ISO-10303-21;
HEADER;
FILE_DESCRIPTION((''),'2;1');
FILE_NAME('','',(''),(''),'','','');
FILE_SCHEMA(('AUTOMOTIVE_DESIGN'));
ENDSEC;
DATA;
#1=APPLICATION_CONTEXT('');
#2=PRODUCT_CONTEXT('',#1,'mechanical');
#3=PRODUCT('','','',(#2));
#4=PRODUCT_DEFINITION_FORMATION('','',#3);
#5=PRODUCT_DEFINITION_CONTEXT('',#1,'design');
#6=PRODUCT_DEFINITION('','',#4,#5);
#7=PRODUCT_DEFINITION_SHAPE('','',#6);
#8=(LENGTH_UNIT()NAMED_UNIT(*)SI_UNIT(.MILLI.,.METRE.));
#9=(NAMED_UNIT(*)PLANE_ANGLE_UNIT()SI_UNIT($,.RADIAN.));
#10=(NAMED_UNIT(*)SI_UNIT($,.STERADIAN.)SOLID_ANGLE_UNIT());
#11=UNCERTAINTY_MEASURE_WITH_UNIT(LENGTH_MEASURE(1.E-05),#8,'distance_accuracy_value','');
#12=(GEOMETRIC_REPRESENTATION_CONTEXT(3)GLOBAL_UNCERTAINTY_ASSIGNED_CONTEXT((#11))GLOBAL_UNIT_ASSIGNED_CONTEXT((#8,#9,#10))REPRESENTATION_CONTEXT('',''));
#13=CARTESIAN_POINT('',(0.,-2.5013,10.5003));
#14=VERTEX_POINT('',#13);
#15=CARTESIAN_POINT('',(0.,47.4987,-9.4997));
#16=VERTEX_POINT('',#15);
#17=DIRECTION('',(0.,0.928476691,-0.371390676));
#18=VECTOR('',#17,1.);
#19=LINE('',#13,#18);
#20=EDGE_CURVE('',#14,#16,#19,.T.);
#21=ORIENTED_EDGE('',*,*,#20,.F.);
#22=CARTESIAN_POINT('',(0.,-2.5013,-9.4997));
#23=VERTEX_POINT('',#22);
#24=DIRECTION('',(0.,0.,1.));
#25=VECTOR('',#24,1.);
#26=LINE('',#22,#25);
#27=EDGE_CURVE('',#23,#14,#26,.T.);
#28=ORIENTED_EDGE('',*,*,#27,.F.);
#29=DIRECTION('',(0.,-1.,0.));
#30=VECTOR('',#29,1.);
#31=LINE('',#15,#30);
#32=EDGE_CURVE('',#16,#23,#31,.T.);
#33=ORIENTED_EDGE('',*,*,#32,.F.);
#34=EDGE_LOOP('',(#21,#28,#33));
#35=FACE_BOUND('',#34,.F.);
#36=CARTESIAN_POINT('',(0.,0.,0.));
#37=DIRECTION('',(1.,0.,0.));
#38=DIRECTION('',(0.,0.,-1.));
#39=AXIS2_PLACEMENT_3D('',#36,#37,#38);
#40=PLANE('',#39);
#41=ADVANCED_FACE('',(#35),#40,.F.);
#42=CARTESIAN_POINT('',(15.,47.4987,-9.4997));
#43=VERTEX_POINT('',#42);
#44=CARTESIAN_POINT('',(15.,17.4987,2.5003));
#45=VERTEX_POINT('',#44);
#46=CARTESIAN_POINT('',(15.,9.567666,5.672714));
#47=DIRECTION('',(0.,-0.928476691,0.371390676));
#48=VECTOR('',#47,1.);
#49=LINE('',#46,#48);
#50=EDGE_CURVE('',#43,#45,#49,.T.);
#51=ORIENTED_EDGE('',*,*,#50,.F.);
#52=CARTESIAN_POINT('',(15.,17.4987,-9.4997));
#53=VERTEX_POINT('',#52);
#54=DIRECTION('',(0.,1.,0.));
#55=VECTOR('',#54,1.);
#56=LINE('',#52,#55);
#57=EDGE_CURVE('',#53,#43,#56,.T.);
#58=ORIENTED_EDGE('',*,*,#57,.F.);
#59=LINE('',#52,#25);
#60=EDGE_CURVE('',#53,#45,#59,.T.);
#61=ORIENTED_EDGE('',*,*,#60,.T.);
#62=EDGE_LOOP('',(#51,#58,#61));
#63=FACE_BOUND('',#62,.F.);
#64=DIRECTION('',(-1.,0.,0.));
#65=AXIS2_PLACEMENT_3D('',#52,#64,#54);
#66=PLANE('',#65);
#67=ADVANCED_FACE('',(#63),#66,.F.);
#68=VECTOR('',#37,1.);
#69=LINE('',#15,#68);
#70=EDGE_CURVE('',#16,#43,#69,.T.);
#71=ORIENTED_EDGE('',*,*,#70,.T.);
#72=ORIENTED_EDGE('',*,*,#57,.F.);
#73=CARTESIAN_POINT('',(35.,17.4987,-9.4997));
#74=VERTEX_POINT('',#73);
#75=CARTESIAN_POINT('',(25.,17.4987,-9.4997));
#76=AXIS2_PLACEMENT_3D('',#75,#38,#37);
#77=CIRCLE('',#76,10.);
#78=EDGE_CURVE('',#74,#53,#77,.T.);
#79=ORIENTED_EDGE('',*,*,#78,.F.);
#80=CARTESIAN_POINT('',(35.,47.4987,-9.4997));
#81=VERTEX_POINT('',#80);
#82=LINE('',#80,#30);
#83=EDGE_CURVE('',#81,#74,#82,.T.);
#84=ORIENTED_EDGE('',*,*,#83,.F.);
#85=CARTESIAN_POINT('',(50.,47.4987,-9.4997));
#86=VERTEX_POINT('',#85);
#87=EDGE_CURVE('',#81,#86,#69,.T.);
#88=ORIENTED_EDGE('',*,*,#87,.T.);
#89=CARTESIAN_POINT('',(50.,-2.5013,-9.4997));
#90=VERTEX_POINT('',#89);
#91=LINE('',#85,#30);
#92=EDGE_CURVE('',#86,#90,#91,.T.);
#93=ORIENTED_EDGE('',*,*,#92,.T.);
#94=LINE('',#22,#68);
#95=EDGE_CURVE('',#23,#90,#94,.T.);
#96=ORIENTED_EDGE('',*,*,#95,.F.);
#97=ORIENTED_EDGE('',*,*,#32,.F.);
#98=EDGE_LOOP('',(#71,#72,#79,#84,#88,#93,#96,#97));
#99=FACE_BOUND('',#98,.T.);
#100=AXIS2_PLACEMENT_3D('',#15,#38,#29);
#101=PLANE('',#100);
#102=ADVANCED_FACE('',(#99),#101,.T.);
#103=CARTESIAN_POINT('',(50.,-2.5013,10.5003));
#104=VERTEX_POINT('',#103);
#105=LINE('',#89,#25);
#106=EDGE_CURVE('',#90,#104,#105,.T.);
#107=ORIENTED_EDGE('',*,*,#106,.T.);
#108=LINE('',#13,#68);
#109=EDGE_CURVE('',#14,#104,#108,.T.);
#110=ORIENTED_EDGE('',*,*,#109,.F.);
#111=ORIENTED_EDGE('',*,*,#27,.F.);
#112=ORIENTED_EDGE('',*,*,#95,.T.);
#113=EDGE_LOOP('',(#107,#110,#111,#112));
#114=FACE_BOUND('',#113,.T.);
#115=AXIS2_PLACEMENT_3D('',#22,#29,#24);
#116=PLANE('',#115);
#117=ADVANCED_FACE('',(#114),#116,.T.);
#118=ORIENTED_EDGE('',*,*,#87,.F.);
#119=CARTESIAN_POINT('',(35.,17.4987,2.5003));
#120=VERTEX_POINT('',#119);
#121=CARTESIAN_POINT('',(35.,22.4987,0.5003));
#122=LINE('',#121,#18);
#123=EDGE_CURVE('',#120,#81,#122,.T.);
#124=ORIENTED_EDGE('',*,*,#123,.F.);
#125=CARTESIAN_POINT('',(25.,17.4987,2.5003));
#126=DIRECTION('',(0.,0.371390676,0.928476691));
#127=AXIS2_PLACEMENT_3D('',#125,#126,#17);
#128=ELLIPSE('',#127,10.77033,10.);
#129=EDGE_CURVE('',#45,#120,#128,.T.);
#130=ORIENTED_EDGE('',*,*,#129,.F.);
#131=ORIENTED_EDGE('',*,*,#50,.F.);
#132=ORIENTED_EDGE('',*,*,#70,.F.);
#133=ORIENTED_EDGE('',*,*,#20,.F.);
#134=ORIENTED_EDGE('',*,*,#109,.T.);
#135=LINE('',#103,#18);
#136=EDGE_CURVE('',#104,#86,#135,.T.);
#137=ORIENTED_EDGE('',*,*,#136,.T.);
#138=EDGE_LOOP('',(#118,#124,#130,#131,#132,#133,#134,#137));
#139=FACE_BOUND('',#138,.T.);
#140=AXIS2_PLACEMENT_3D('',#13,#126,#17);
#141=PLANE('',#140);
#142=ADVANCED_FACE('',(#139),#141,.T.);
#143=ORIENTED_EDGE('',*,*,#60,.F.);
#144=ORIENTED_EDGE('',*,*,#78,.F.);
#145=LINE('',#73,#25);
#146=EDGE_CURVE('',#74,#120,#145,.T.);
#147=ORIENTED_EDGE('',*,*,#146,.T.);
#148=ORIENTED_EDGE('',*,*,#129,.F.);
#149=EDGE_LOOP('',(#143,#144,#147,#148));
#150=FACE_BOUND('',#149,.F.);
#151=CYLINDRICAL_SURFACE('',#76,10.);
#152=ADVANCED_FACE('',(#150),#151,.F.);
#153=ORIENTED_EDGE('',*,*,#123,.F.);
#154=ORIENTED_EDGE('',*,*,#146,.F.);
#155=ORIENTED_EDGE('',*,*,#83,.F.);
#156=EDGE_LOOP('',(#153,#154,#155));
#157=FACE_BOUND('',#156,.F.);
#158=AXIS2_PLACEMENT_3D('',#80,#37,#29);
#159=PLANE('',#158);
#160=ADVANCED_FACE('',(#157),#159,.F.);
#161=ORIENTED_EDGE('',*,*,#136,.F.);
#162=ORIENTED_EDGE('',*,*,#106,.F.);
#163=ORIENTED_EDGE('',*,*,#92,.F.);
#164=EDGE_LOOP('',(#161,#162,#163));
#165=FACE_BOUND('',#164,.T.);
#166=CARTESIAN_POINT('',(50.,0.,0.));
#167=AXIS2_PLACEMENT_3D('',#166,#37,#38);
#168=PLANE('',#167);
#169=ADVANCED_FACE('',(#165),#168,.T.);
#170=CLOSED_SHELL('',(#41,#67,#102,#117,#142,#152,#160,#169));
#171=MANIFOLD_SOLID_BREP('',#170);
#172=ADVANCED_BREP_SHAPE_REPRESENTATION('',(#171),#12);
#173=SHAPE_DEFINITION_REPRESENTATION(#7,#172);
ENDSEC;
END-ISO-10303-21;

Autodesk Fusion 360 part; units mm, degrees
sketch "Sketch1" plane through (0, 0, 0) normal (1, 0, 0) x (0, 0, -1)
  line L0 (9.4997, 47.4987) -> (9.4997, -2.5013)
  line L1 (9.4997, -2.5013) -> (-10.5003, -2.5013)
  line L2 (-10.5003, -2.5013) -> (9.4997, 47.4987)
  dimension "d1" = 50
  dimension "d2" = 20
extrude "Extrude1" add sketch "Sketch1" along normal blind 50
sketch "Sketch2" plane through (0, 0, -9.4997) normal (0, 0, -1) x (-1, 0, 0)
  line L0 (0, -2.5013) -> (0, 47.4987)
  line L1 (0, 47.4987) -> (-50, 47.4987)
  line L2 (-50, 47.4987) -> (-50, -2.5013)
  line L3 (-50, -2.5013) -> (0, -2.5013)
  line L4 (-35, 47.4987) -> (-35, 17.4987)
  arc A0 (-35, 17.4987) -> (-15, 17.4987) centre (-25, 17.4987) ccw
  line L5 (-15, 17.4987) -> (-15, 47.4987)
  arc A1 (-15, 47.4987) -> (-35, 47.4987) centre (-25, 47.4987) ccw
  line L6 (-25, 47.4987) -> (-25, 17.4987) construction
  dimension "d5" = 20
extrude "Extrude2" cut sketch "Sketch2" against normal through all contours L1 L4 A0 L5
